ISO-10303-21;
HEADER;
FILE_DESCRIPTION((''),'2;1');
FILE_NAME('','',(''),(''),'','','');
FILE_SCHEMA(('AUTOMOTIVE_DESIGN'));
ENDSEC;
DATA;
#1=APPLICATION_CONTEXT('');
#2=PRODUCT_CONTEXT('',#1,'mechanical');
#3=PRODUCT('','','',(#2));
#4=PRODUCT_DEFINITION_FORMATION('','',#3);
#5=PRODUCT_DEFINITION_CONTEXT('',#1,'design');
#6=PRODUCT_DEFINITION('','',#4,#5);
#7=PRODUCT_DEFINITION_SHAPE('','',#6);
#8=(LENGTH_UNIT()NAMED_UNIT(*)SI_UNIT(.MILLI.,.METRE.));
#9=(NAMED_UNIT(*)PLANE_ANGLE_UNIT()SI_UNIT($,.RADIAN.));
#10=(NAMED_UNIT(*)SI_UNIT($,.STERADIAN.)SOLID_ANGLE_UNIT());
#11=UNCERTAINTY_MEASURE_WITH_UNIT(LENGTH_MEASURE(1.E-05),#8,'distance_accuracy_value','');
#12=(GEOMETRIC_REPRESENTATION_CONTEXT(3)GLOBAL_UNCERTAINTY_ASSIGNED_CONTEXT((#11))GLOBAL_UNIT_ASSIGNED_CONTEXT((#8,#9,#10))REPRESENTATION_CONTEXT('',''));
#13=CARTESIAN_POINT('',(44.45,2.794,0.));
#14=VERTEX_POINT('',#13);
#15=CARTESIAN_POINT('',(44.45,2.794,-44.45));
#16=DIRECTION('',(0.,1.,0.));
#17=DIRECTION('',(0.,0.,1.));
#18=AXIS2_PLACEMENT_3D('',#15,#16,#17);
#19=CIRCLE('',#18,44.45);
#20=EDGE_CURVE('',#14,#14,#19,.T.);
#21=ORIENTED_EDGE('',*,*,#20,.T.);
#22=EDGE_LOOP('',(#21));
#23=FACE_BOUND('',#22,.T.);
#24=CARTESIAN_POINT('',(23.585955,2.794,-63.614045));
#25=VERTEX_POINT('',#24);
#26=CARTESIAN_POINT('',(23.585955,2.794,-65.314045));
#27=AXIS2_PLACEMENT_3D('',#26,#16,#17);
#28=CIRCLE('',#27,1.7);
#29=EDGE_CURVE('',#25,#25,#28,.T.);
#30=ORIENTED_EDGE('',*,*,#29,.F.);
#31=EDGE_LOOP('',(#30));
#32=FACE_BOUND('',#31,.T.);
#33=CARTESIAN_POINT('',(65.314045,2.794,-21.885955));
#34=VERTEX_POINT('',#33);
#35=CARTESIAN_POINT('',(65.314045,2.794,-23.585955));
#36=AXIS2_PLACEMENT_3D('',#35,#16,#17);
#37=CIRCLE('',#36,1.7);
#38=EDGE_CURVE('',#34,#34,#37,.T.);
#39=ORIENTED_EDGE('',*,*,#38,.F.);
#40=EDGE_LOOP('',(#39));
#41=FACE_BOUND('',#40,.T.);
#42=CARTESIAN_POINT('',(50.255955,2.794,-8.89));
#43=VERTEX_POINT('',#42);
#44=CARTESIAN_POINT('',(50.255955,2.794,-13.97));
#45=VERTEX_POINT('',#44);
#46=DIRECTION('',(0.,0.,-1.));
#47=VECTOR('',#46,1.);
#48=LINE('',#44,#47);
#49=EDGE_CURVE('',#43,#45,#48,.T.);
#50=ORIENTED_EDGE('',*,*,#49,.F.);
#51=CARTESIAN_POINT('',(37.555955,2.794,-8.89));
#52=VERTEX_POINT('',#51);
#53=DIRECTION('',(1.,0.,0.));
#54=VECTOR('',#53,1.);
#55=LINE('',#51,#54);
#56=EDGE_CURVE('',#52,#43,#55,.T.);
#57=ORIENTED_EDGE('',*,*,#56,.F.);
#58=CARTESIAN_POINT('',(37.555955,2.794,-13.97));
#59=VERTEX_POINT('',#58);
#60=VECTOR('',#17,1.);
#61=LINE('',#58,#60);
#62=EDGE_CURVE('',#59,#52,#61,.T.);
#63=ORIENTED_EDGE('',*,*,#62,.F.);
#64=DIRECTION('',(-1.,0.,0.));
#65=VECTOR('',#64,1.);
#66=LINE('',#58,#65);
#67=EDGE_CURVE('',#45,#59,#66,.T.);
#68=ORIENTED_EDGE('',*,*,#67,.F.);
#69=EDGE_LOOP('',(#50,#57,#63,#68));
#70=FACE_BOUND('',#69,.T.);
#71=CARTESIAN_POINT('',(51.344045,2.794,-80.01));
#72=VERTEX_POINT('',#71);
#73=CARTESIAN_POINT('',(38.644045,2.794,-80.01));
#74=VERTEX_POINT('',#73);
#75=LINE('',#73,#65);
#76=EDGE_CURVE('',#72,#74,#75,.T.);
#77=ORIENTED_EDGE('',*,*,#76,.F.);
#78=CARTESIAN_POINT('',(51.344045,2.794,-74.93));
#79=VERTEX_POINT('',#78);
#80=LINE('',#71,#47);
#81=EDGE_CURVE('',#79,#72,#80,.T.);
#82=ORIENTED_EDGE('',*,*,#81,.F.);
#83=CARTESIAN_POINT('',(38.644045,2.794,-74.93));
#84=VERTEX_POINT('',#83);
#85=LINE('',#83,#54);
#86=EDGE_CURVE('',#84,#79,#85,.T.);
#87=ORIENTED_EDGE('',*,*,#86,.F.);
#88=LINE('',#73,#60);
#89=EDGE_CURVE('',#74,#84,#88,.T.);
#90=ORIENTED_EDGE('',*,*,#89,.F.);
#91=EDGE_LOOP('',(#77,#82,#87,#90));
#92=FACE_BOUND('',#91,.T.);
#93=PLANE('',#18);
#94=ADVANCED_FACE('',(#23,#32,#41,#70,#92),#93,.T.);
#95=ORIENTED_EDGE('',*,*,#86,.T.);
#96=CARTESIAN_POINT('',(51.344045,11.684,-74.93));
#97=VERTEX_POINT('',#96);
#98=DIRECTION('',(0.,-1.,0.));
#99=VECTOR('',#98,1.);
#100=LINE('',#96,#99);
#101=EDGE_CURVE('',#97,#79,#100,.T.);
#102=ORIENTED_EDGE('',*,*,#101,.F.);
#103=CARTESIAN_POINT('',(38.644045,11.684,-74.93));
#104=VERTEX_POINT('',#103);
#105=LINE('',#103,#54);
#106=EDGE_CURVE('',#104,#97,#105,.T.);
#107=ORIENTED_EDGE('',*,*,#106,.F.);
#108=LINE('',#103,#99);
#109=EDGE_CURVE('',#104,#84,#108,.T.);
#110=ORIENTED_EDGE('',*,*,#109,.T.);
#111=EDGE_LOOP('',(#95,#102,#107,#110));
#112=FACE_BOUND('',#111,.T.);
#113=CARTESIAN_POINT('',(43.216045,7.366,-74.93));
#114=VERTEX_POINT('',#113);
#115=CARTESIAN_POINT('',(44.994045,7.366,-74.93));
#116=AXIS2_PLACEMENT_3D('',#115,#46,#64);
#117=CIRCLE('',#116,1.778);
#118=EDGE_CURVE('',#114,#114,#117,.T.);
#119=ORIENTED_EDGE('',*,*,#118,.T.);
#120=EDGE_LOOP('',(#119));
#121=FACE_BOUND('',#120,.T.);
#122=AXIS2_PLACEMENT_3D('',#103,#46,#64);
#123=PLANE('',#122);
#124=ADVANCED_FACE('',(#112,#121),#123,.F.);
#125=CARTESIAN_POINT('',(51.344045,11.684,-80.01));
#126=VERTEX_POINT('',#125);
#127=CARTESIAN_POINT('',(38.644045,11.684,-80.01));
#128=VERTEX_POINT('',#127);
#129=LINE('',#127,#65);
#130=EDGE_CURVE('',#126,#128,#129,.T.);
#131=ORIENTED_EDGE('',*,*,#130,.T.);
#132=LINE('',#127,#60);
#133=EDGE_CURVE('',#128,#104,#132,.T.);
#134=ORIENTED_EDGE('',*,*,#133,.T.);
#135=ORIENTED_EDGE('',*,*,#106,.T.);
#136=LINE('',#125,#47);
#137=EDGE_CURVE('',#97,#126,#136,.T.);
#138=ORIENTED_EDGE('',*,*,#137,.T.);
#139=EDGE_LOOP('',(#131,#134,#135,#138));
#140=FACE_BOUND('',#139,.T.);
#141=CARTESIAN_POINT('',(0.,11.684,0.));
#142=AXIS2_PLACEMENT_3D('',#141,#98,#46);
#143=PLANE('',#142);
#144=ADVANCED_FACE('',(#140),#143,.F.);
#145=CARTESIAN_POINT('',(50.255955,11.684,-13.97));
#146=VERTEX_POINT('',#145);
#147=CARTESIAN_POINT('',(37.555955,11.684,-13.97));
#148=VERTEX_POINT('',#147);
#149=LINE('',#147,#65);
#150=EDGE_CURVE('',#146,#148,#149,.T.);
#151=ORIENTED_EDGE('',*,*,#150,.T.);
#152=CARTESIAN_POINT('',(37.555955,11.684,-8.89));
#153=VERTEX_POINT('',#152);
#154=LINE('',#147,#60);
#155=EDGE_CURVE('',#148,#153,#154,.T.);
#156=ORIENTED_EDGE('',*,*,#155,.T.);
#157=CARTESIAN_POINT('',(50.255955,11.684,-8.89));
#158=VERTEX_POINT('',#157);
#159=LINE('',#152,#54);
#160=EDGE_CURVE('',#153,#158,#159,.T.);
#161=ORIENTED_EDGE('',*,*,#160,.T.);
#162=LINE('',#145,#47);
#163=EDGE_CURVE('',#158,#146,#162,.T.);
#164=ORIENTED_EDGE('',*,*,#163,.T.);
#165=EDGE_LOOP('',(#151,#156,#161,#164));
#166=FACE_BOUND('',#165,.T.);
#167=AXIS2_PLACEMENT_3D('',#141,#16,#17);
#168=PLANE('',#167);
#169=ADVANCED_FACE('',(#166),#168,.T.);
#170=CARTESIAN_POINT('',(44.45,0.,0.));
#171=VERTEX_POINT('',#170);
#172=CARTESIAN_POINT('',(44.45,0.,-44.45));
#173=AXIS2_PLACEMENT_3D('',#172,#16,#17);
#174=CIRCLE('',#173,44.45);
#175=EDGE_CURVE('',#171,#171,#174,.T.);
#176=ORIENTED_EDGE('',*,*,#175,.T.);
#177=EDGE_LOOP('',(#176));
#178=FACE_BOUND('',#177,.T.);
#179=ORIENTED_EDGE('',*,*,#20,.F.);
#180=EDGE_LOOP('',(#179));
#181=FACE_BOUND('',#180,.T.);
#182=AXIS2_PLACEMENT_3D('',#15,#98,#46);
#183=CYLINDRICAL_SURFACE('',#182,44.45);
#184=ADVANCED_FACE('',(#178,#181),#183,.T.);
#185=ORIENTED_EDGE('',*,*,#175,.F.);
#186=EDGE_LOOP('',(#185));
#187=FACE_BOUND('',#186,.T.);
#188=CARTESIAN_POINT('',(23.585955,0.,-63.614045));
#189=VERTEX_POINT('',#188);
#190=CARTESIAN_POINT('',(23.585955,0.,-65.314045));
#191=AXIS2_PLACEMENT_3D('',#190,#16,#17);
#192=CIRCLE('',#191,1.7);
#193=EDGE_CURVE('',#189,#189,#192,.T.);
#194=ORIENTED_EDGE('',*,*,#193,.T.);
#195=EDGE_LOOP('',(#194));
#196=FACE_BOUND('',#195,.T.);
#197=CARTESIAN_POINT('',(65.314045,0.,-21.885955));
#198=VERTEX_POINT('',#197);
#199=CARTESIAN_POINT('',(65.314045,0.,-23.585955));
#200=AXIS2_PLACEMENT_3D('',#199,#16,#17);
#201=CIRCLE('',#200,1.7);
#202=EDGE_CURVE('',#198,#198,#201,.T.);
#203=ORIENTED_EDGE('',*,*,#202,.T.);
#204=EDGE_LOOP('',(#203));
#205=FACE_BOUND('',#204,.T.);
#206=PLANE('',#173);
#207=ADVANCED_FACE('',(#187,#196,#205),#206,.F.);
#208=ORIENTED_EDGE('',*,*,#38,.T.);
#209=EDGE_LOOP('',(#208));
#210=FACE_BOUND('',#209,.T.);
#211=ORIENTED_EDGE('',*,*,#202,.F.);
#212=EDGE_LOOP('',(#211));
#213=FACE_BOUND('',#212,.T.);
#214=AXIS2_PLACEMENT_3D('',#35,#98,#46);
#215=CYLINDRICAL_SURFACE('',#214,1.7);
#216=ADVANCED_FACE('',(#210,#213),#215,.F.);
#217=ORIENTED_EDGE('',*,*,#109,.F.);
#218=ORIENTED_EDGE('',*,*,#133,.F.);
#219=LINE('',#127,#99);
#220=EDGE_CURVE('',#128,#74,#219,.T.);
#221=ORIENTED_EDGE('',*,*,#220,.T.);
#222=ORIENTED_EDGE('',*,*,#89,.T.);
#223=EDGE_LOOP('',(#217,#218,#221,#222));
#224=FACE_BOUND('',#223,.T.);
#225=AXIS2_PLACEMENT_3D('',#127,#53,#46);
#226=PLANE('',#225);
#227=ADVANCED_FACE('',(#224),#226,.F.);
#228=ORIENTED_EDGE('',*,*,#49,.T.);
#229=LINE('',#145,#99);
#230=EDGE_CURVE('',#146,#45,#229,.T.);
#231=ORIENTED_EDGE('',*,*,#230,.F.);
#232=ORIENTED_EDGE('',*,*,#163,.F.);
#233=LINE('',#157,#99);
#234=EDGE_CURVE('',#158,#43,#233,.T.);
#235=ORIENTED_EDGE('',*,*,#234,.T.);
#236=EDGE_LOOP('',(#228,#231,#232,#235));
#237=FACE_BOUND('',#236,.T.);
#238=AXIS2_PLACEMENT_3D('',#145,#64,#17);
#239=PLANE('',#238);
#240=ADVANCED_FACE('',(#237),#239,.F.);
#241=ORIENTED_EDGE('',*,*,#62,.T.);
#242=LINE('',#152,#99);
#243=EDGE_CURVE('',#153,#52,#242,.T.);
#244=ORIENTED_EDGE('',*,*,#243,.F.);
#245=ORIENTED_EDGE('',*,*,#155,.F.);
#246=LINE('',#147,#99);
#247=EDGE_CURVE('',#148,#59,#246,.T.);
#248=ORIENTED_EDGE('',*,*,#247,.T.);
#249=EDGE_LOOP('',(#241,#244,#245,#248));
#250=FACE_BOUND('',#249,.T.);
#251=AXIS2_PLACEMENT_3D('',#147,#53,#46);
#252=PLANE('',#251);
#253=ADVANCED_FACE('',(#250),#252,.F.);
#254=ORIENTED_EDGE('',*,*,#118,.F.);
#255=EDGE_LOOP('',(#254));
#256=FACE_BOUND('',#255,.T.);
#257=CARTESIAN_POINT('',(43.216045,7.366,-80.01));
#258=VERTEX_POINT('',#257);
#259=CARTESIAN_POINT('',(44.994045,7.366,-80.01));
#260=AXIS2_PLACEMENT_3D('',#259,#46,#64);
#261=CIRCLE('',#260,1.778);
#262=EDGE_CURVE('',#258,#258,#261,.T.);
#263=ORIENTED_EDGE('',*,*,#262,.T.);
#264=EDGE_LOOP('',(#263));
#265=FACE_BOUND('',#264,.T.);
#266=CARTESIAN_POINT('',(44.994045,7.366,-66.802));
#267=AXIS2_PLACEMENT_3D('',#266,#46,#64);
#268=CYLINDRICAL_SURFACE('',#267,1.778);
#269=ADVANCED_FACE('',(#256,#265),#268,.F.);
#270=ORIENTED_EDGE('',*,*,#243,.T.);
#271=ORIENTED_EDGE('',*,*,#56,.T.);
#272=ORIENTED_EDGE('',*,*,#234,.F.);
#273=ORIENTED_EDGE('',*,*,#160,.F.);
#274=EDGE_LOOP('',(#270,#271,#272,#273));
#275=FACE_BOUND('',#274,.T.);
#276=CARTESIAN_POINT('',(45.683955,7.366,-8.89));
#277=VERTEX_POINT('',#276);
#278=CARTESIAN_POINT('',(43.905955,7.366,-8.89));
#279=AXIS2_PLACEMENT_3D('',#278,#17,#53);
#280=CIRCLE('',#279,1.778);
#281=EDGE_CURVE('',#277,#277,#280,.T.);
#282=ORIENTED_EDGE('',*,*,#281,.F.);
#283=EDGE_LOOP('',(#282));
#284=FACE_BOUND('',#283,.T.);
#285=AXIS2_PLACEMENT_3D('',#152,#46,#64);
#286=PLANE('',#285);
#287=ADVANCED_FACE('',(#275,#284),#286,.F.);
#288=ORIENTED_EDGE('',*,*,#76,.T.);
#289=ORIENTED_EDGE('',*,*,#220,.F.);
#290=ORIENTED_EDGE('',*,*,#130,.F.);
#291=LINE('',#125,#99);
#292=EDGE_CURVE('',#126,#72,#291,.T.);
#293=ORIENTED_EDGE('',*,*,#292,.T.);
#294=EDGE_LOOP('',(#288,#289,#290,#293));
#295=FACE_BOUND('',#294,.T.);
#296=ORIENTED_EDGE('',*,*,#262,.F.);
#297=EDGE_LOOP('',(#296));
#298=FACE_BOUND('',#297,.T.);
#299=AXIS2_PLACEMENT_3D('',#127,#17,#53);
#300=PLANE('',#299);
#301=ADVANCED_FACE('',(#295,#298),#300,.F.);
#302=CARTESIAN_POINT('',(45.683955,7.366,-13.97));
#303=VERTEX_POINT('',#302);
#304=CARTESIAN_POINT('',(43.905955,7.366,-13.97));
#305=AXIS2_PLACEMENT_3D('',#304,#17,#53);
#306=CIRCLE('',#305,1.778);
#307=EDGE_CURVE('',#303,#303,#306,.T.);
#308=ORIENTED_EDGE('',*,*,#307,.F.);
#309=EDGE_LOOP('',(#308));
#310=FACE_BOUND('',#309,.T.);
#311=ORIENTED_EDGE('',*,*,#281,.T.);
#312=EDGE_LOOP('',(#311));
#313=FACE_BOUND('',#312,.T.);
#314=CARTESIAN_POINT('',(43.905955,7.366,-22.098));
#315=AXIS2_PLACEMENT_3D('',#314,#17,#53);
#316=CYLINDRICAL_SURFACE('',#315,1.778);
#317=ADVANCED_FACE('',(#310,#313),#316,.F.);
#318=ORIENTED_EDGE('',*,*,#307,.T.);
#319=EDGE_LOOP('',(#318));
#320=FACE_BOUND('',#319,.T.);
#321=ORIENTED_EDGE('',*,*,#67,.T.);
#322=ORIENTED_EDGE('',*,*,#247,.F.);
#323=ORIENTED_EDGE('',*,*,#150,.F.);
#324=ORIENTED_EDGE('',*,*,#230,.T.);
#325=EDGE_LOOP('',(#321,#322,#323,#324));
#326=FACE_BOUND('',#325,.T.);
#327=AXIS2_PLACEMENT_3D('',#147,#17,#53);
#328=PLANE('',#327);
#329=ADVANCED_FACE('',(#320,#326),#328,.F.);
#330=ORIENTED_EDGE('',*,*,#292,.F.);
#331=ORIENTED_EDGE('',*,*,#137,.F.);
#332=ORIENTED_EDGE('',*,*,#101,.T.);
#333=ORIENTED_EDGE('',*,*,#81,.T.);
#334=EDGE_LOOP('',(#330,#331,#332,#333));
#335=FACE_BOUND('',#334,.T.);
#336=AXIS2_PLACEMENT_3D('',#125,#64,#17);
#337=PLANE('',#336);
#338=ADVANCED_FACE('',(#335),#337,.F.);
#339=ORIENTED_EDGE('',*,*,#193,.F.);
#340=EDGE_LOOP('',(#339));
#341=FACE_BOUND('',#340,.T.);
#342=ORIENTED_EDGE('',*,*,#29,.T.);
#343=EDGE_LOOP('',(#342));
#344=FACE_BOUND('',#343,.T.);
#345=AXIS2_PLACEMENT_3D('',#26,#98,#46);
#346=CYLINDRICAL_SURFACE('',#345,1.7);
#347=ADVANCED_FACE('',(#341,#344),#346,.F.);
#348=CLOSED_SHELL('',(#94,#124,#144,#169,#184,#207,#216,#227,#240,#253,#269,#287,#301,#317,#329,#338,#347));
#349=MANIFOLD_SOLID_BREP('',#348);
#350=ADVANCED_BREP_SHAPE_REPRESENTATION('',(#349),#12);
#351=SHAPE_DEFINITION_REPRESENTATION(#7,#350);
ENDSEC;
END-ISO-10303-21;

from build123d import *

# Parameters (mm, degrees)
SKETCH1_R           = 44.45
SKETCH1_R_2         = 1.7
BOSS_EXTRUDE1_DEPTH = 2.794
SKETCH3_W           = 12.7
SKETCH3_H           = 5.08
BOSS_EXTRUDE2_DEPTH = 8.89
SKETCH4_R           = 1.778
CUT_EXTRUDE1_DEPTH  = 13.208
CIRPATTERN1_COUNT   = 2


with BuildPart() as part:
    # Sketch1 → Boss-Extrude1 (new body)
    with BuildSketch(Plane(origin=(0, 0, 0), x_dir=(1, 0, 0), z_dir=(0, 1, 0))):
        with Locations(Location((44.45, 44.45, 0), (0, 0, 270))):
            Circle(SKETCH1_R)
        with Locations(Location((65.31404504, 23.58595496, 0), (0, 0, 270))):
            Circle(SKETCH1_R_2, mode=Mode.SUBTRACT)
        with Locations(Location((23.58595496, 65.31404504, 0), (0, 0, 270))):
            Circle(SKETCH1_R_2, mode=Mode.SUBTRACT)
    extrude(amount=BOSS_EXTRUDE1_DEPTH)

    # Sketch3 → Boss-Extrude2 (add)
    with BuildSketch(Plane(origin=(0, 2.794, 0), x_dir=(1, 0, 0), z_dir=(0, 1, 0))):
        with Locations((44.99404504, 77.47)):
            Rectangle(SKETCH3_W, SKETCH3_H)
        with Locations((43.90595496, 11.43)):
            Rectangle(SKETCH3_W, SKETCH3_H)
    extrude(amount=BOSS_EXTRUDE2_DEPTH)

    # Sketch4 → Cut-Extrude1 (cut)
    with BuildSketch(Plane.XY.offset(-8.89)):
        with Locations((43.90595496, 7.366)):
            Circle(SKETCH4_R)
    cut_extrude1 = extrude(amount=-CUT_EXTRUDE1_DEPTH, mode=Mode.SUBTRACT)

    # CirPattern1: Cut-Extrude1 ×2 about axis
    cirpattern1_axis = Axis((44.45, 2.794, -44.45), (0, 1, 0))
    for i in range(1, CIRPATTERN1_COUNT):
        add(cut_extrude1.rotate(cirpattern1_axis, i * 360 / CIRPATTERN1_COUNT), mode=Mode.SUBTRACT)


solid = part.part
